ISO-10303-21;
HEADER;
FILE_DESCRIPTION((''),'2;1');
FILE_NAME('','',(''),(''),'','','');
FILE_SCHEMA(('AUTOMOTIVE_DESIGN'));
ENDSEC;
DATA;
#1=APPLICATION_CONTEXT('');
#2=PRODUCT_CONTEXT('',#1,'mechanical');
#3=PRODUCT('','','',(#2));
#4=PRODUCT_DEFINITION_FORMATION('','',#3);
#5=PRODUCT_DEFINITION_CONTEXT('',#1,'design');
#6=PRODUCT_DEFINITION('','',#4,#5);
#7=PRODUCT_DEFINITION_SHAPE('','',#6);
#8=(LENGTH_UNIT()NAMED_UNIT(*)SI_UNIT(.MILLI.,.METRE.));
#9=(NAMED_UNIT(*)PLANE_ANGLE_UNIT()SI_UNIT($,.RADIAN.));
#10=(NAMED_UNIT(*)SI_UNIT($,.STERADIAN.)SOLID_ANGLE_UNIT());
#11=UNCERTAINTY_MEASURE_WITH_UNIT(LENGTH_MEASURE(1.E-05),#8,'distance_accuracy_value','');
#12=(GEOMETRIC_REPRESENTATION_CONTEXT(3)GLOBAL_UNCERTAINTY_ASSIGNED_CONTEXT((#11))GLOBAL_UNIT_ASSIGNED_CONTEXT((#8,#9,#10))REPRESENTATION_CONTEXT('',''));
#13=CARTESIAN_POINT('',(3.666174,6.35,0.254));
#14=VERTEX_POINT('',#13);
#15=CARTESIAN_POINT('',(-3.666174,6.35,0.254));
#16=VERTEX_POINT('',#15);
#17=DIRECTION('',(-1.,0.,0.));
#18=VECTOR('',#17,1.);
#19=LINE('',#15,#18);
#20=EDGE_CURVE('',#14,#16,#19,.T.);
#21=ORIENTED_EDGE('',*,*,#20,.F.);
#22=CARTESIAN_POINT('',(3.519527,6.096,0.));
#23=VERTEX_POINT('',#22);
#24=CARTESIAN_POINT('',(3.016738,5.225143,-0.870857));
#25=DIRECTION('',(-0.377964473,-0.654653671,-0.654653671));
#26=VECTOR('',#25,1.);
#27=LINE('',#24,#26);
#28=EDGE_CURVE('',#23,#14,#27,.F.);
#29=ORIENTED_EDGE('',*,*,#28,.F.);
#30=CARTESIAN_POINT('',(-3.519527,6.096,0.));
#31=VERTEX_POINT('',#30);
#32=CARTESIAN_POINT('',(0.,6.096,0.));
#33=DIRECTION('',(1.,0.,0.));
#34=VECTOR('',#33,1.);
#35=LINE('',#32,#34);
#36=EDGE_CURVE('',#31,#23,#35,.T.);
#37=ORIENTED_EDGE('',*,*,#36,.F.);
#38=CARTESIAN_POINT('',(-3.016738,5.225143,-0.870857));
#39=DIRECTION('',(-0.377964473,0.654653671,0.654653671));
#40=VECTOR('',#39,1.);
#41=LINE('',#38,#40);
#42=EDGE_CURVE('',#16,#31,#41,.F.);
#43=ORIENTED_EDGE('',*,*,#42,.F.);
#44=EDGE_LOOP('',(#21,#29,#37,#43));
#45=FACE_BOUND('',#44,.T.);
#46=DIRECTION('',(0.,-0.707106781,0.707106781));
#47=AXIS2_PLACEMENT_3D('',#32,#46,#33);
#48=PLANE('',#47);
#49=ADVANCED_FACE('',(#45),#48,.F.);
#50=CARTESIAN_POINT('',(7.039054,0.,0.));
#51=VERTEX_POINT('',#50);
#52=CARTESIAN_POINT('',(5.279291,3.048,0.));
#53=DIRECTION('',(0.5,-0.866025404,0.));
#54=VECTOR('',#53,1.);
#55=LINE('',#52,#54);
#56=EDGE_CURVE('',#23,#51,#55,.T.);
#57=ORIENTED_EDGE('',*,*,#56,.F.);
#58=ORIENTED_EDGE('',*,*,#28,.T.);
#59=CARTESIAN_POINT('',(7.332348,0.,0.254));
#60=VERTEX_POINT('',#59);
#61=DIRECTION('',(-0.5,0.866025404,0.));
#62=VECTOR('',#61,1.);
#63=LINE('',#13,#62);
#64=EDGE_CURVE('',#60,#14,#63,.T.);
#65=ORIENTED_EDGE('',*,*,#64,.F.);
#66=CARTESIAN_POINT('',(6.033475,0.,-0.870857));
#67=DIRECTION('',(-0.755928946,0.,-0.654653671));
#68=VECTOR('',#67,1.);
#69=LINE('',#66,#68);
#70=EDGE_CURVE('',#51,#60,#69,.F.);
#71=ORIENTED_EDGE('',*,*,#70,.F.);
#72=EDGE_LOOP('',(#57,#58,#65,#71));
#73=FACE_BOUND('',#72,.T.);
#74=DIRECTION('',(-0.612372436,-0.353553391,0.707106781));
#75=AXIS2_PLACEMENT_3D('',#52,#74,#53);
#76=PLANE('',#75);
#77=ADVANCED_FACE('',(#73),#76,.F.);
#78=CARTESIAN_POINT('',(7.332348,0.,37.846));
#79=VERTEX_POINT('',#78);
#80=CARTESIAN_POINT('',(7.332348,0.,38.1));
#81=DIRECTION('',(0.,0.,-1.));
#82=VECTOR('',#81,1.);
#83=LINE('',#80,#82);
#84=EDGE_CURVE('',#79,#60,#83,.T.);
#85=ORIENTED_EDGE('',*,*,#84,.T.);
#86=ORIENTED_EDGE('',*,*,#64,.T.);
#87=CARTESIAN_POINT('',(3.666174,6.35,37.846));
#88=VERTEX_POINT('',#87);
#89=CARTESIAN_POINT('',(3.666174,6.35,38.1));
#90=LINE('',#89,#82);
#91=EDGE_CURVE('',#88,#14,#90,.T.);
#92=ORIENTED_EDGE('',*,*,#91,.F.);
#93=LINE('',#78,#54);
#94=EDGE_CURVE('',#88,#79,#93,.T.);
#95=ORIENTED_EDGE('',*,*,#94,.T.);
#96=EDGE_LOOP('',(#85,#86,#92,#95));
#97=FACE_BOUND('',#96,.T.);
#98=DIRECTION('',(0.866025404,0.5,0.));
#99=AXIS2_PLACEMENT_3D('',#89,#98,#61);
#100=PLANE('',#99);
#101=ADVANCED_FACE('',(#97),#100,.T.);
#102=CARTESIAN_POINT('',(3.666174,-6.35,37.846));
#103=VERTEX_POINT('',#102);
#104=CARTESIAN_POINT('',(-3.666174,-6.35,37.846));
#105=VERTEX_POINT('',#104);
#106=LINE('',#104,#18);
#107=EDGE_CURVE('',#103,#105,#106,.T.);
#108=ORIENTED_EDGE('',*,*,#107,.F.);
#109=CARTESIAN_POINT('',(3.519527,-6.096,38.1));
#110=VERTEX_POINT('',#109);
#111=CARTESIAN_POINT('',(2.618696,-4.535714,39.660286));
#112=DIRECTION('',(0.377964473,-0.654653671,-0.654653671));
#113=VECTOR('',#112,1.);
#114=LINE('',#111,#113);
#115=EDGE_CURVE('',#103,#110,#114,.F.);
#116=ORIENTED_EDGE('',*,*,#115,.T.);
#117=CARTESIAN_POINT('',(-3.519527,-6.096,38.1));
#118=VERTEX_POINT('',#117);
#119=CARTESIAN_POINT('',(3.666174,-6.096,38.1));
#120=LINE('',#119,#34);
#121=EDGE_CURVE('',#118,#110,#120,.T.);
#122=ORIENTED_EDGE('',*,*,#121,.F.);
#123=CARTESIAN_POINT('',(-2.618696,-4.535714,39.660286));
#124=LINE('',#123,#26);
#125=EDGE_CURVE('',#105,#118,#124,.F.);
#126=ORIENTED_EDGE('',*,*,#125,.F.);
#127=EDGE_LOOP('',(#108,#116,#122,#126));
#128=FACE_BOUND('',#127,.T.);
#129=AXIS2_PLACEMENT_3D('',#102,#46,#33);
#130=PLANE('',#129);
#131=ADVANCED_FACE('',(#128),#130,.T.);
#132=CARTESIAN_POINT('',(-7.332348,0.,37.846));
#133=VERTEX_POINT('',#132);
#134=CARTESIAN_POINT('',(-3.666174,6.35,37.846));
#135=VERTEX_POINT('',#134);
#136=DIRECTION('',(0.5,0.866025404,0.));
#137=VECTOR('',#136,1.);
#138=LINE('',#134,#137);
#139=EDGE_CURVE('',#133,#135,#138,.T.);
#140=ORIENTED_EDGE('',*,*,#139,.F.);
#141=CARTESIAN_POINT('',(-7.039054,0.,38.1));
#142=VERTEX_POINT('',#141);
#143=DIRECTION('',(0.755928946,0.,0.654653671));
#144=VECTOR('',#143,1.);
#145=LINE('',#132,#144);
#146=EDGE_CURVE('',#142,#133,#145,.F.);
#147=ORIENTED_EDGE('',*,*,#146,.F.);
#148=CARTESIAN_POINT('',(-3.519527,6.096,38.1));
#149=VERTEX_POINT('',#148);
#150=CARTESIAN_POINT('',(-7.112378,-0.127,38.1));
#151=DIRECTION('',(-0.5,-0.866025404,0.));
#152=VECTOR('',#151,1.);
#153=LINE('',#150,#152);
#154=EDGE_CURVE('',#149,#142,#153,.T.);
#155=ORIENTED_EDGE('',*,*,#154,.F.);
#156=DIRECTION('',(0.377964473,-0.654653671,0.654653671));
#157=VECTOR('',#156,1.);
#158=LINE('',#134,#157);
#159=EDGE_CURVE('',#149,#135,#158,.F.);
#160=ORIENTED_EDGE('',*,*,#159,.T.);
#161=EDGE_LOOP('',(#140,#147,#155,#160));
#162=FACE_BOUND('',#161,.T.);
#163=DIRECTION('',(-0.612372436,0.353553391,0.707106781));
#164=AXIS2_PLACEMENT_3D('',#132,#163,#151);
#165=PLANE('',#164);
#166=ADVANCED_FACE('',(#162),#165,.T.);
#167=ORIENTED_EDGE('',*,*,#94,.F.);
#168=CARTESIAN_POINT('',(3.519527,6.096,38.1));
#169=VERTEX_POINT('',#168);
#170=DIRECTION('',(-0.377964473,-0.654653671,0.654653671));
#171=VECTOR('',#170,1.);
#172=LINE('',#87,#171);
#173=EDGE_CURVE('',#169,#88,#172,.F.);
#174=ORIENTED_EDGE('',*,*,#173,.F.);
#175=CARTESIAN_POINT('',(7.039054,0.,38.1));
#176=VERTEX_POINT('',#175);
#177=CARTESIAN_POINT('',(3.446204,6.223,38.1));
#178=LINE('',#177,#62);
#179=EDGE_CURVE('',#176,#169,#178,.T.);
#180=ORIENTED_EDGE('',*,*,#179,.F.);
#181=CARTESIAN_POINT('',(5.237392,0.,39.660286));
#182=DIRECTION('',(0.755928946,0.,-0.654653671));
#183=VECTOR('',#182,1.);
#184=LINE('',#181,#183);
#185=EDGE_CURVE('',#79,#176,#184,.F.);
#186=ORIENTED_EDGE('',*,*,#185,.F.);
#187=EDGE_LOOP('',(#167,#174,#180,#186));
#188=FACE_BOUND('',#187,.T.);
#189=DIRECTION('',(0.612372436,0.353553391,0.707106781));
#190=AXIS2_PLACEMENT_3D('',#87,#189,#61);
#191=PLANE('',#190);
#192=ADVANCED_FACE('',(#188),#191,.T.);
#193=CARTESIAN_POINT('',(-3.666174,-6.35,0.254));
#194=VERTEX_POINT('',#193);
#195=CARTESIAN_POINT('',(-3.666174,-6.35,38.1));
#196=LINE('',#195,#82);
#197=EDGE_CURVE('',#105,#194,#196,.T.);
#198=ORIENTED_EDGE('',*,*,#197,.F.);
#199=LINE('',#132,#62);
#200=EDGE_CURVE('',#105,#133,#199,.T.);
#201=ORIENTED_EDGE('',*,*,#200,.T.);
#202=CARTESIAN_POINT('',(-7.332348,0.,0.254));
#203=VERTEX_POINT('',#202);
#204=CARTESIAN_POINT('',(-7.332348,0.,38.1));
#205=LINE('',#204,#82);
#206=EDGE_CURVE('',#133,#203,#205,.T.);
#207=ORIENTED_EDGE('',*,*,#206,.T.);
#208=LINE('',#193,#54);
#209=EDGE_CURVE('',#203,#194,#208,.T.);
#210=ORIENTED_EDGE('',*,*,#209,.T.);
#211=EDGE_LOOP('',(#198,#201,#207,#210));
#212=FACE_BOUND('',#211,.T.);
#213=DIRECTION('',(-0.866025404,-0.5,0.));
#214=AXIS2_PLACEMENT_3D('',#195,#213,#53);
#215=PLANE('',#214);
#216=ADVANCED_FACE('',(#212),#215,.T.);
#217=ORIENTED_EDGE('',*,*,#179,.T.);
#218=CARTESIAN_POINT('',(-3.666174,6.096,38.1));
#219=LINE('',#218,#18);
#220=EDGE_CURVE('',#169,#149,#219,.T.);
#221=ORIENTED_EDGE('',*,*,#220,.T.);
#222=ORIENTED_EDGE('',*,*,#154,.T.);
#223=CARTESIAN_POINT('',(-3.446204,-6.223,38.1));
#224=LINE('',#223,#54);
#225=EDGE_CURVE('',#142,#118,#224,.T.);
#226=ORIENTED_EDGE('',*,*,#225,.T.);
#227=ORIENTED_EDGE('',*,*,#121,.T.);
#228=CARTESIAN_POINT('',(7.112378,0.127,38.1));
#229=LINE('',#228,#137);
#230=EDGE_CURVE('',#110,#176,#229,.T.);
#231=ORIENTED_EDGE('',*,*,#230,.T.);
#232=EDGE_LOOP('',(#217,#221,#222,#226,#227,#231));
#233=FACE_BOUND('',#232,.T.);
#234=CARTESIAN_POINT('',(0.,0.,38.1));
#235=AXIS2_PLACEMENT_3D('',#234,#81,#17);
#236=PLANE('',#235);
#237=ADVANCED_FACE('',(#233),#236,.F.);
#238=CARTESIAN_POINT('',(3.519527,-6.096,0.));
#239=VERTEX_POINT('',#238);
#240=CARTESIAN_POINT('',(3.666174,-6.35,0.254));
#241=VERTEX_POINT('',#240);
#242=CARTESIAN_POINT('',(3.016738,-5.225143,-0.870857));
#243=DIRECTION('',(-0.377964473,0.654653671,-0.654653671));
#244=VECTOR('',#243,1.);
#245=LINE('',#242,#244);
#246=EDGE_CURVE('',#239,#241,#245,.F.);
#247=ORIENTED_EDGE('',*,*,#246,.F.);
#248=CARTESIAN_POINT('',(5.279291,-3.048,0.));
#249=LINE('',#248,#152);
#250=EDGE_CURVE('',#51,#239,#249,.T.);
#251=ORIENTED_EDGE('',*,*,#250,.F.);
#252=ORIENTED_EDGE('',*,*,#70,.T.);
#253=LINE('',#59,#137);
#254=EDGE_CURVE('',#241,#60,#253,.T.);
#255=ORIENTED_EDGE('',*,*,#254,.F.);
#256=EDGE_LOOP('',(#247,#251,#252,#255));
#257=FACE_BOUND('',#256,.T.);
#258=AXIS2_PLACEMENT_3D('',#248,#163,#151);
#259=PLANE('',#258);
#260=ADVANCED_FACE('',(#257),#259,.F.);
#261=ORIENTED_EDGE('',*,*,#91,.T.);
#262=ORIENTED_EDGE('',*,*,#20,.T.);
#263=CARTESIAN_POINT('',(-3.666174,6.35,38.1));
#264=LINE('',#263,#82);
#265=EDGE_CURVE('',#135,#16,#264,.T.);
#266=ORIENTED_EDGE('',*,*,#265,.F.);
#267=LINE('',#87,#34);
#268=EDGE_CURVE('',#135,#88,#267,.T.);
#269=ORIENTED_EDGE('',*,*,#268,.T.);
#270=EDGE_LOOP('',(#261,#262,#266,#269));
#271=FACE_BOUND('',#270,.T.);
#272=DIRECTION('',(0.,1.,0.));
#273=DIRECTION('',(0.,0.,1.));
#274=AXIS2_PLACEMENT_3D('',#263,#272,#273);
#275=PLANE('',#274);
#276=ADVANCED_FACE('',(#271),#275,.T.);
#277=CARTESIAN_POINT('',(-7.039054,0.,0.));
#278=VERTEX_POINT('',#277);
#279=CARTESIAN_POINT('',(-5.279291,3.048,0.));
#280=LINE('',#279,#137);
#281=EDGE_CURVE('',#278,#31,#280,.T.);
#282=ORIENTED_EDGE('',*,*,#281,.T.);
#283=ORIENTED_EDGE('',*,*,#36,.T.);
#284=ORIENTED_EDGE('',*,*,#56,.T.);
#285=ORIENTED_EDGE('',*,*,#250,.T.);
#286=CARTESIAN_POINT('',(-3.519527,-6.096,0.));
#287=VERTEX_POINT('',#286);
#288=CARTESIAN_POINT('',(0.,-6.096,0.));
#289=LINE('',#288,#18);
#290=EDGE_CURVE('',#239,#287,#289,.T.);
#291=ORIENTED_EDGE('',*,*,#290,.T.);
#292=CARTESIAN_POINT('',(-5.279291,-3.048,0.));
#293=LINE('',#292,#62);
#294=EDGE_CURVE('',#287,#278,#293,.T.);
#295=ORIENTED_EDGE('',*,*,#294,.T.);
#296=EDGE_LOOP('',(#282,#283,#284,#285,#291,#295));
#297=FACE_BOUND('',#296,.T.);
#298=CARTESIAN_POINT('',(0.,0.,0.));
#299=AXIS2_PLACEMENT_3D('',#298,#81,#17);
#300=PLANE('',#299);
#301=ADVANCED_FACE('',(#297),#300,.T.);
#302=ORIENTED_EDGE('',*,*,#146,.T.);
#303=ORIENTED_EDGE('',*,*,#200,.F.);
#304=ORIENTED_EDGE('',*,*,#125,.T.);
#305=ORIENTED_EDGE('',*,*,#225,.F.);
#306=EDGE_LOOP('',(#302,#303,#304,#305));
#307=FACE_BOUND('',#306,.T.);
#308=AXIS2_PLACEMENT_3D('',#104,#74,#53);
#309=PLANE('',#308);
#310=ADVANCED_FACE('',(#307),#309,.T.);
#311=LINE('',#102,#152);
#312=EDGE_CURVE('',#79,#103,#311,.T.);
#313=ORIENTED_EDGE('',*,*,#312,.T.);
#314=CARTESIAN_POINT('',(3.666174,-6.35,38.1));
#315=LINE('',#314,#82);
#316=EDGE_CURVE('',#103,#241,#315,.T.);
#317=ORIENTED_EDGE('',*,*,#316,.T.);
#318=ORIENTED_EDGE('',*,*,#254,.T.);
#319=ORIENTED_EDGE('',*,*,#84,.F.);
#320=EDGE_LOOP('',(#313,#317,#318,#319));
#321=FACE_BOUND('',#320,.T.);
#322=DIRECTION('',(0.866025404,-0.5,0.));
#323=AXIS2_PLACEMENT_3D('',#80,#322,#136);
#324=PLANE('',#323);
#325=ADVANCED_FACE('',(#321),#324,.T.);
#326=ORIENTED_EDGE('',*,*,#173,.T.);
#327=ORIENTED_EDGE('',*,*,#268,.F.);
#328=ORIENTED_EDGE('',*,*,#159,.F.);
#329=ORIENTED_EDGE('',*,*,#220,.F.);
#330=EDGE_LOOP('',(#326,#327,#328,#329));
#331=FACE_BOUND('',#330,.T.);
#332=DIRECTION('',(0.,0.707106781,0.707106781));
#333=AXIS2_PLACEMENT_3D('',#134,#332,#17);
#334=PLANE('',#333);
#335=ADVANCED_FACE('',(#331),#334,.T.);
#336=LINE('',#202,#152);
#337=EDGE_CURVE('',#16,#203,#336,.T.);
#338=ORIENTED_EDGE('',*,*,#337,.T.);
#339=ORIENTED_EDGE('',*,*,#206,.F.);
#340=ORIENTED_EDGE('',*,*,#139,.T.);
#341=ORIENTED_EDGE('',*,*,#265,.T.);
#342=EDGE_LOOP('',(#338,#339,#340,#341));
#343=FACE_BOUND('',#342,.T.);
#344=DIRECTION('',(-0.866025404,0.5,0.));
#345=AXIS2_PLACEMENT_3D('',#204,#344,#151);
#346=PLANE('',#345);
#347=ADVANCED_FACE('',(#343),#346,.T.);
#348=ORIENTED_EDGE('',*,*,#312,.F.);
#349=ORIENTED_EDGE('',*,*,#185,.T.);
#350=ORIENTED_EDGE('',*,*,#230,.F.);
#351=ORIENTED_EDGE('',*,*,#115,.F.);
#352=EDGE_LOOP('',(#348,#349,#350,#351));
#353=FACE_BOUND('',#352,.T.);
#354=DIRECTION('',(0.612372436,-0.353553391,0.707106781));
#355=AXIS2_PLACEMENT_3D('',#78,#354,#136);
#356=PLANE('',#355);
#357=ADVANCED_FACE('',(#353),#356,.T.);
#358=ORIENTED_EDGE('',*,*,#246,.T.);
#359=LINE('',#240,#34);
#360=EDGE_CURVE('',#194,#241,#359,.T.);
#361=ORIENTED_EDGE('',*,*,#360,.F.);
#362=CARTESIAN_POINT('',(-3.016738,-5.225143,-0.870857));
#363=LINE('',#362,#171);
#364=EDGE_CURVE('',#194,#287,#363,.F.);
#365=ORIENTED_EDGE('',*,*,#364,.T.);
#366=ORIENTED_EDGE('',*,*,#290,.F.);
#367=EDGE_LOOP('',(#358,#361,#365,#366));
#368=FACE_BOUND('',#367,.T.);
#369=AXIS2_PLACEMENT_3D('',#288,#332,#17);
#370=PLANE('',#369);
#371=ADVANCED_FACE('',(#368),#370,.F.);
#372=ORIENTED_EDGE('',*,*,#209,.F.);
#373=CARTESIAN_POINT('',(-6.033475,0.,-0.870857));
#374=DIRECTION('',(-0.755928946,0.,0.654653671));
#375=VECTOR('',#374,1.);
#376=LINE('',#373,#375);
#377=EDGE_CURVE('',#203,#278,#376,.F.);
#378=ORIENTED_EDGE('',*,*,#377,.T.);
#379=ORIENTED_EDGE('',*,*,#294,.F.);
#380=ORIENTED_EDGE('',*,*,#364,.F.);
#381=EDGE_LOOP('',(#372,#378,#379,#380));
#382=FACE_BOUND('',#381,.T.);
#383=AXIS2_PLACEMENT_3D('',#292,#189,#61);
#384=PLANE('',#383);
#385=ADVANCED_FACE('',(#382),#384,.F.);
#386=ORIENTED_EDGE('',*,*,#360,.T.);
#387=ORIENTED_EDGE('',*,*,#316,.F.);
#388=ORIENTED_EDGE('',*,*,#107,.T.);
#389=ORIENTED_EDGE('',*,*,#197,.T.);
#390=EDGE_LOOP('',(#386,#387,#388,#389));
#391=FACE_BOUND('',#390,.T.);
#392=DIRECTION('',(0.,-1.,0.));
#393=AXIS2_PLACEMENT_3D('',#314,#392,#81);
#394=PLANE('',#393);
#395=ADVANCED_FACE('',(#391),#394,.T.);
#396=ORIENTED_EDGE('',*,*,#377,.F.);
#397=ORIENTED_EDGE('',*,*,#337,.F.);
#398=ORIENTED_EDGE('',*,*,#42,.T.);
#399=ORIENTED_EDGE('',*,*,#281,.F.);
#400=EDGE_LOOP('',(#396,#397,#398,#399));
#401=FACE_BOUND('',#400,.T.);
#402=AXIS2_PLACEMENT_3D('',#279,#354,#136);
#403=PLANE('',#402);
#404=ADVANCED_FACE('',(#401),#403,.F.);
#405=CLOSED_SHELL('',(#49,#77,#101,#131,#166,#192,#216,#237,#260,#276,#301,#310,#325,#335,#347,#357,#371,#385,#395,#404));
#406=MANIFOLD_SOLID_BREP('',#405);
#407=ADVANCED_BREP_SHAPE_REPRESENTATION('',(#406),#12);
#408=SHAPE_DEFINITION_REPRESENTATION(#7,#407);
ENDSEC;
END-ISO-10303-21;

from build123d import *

# Parameters (mm, degrees)
BOSS_EXTRUDE1_DEPTH = 38.1
CHAMFER1_SIZE       = 0.254


with BuildPart() as part:
    # Sketch1 → Boss-Extrude1 (new body)
    with BuildSketch(Plane(origin=(0, 0, 0), x_dir=(-1, 0, 0), z_dir=(0, 0, -1))):
        Polygon((3.666174209, 6.35), (-3.666174209, 6.35), (-7.332348419, 0), (-3.666174209, -6.35), (3.666174209, -6.35), (7.332348419, 0), align=None)
    extrude(amount=-BOSS_EXTRUDE1_DEPTH)

    # Chamfer1
    chamfer1_edges = [part.edges().sort_by_distance(p)[0] for p in [
        (5.499261314, 3.175, 38.1),
        (5.499261314, -3.175, 38.1),
        (0, -6.35, 38.1),
        (-5.499261314, -3.175, 38.1),
        (-5.499261314, 3.175, 38.1),
        (-5.499261314, -3.175, 0),
        (0, -6.35, 0),
        (5.499261314, -3.175, 0),
        (5.499261314, 3.175, 0),
        (0, 6.35, 0),
        (-5.499261314, 3.175, 0),
        (0, 6.35, 38.1),
    ]]
    chamfer(chamfer1_edges, length=CHAMFER1_SIZE)


solid = part.part
